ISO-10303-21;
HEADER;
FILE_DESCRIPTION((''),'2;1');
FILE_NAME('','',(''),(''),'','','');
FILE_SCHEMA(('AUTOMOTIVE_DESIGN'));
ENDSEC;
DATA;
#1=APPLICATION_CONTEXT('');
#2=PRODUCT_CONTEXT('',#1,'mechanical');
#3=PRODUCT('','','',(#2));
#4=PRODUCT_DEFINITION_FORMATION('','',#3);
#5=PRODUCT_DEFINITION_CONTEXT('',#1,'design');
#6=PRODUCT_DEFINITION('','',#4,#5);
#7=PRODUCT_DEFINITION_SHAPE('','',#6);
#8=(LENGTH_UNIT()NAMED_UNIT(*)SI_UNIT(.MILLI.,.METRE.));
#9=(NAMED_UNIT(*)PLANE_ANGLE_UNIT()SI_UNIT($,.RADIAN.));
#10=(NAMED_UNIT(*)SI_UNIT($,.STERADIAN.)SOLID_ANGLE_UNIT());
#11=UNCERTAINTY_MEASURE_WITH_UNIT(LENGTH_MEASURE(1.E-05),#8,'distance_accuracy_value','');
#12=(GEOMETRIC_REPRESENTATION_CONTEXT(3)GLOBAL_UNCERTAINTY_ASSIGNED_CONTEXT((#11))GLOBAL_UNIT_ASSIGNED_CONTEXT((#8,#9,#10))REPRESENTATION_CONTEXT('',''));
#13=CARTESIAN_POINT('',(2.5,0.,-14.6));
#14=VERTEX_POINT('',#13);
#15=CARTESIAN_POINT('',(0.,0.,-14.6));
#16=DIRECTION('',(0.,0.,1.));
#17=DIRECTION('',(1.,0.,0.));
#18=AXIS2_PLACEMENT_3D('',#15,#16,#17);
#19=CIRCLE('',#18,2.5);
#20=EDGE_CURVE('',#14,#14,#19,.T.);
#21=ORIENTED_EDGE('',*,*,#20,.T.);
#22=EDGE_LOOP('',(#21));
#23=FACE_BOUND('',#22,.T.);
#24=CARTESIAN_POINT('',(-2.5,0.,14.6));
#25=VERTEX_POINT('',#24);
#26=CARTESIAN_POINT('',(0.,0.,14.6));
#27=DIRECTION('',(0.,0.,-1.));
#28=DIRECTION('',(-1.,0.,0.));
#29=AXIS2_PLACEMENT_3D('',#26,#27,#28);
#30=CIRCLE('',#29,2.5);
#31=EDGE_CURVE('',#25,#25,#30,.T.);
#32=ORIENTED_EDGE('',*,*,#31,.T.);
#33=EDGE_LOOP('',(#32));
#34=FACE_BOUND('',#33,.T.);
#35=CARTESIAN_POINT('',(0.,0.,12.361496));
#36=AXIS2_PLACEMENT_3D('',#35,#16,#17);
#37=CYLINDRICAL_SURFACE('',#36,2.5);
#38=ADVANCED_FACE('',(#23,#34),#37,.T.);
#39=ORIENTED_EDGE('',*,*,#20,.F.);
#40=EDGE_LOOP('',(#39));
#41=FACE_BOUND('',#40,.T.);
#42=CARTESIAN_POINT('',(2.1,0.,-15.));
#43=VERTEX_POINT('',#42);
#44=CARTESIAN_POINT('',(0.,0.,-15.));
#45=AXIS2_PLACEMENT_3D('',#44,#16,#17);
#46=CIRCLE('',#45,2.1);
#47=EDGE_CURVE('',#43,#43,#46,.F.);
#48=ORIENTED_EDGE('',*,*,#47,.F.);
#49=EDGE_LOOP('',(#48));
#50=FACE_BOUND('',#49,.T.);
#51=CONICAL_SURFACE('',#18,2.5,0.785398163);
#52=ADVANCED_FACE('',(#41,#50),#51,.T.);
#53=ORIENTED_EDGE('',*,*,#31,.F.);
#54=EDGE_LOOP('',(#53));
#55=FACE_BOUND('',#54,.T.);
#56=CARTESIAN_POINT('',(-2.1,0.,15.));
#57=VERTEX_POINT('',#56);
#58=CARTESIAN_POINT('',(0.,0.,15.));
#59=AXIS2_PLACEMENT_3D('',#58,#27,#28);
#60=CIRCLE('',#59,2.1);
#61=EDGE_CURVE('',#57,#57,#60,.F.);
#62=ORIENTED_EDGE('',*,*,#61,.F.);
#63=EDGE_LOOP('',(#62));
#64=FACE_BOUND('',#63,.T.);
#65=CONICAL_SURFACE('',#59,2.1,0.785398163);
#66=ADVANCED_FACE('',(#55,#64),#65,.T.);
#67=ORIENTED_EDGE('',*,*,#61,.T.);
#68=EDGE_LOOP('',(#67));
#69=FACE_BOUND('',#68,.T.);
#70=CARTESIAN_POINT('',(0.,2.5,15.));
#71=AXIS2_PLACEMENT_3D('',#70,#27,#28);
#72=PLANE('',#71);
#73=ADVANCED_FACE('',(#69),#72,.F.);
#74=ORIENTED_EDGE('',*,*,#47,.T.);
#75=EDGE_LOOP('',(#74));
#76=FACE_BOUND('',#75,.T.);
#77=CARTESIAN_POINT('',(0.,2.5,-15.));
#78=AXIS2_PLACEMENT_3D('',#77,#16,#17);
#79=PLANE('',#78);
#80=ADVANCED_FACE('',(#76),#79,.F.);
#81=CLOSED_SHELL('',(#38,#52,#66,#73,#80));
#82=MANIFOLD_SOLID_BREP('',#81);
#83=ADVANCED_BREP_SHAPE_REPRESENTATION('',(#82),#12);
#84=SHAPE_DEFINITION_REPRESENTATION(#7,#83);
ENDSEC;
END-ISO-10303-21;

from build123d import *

# Parameters (mm, degrees)
SKETCH1_W     = 30
SKETCH1_H     = 2.5
CHAMFER1_SIZE = 0.4


with BuildPart() as part:
    # Sketch1 → Revolve1 (revolve)
    with BuildSketch(Plane(origin=(0, 0, 0), x_dir=(0, 0, -1), z_dir=(1, 0, 0)), mode=Mode.PRIVATE) as revolve1_sk:
        with Locations((0, 1.25)):
            Rectangle(SKETCH1_W, SKETCH1_H)
    revolve(revolve1_sk.sketch.rotate(Axis((0, 0, 12.361495845), (0, 0, -1)), 90), axis=Axis((0, 0, 12.361495845), (0, 0, -1)))

    # Chamfer1
    chamfer1_edges = [part.edges().sort_by_distance(p)[0] for p in [
        (-2.5, 0, 15),
        (-2.5, 0, -15),
    ]]
    chamfer(chamfer1_edges, length=CHAMFER1_SIZE)


solid = part.part
